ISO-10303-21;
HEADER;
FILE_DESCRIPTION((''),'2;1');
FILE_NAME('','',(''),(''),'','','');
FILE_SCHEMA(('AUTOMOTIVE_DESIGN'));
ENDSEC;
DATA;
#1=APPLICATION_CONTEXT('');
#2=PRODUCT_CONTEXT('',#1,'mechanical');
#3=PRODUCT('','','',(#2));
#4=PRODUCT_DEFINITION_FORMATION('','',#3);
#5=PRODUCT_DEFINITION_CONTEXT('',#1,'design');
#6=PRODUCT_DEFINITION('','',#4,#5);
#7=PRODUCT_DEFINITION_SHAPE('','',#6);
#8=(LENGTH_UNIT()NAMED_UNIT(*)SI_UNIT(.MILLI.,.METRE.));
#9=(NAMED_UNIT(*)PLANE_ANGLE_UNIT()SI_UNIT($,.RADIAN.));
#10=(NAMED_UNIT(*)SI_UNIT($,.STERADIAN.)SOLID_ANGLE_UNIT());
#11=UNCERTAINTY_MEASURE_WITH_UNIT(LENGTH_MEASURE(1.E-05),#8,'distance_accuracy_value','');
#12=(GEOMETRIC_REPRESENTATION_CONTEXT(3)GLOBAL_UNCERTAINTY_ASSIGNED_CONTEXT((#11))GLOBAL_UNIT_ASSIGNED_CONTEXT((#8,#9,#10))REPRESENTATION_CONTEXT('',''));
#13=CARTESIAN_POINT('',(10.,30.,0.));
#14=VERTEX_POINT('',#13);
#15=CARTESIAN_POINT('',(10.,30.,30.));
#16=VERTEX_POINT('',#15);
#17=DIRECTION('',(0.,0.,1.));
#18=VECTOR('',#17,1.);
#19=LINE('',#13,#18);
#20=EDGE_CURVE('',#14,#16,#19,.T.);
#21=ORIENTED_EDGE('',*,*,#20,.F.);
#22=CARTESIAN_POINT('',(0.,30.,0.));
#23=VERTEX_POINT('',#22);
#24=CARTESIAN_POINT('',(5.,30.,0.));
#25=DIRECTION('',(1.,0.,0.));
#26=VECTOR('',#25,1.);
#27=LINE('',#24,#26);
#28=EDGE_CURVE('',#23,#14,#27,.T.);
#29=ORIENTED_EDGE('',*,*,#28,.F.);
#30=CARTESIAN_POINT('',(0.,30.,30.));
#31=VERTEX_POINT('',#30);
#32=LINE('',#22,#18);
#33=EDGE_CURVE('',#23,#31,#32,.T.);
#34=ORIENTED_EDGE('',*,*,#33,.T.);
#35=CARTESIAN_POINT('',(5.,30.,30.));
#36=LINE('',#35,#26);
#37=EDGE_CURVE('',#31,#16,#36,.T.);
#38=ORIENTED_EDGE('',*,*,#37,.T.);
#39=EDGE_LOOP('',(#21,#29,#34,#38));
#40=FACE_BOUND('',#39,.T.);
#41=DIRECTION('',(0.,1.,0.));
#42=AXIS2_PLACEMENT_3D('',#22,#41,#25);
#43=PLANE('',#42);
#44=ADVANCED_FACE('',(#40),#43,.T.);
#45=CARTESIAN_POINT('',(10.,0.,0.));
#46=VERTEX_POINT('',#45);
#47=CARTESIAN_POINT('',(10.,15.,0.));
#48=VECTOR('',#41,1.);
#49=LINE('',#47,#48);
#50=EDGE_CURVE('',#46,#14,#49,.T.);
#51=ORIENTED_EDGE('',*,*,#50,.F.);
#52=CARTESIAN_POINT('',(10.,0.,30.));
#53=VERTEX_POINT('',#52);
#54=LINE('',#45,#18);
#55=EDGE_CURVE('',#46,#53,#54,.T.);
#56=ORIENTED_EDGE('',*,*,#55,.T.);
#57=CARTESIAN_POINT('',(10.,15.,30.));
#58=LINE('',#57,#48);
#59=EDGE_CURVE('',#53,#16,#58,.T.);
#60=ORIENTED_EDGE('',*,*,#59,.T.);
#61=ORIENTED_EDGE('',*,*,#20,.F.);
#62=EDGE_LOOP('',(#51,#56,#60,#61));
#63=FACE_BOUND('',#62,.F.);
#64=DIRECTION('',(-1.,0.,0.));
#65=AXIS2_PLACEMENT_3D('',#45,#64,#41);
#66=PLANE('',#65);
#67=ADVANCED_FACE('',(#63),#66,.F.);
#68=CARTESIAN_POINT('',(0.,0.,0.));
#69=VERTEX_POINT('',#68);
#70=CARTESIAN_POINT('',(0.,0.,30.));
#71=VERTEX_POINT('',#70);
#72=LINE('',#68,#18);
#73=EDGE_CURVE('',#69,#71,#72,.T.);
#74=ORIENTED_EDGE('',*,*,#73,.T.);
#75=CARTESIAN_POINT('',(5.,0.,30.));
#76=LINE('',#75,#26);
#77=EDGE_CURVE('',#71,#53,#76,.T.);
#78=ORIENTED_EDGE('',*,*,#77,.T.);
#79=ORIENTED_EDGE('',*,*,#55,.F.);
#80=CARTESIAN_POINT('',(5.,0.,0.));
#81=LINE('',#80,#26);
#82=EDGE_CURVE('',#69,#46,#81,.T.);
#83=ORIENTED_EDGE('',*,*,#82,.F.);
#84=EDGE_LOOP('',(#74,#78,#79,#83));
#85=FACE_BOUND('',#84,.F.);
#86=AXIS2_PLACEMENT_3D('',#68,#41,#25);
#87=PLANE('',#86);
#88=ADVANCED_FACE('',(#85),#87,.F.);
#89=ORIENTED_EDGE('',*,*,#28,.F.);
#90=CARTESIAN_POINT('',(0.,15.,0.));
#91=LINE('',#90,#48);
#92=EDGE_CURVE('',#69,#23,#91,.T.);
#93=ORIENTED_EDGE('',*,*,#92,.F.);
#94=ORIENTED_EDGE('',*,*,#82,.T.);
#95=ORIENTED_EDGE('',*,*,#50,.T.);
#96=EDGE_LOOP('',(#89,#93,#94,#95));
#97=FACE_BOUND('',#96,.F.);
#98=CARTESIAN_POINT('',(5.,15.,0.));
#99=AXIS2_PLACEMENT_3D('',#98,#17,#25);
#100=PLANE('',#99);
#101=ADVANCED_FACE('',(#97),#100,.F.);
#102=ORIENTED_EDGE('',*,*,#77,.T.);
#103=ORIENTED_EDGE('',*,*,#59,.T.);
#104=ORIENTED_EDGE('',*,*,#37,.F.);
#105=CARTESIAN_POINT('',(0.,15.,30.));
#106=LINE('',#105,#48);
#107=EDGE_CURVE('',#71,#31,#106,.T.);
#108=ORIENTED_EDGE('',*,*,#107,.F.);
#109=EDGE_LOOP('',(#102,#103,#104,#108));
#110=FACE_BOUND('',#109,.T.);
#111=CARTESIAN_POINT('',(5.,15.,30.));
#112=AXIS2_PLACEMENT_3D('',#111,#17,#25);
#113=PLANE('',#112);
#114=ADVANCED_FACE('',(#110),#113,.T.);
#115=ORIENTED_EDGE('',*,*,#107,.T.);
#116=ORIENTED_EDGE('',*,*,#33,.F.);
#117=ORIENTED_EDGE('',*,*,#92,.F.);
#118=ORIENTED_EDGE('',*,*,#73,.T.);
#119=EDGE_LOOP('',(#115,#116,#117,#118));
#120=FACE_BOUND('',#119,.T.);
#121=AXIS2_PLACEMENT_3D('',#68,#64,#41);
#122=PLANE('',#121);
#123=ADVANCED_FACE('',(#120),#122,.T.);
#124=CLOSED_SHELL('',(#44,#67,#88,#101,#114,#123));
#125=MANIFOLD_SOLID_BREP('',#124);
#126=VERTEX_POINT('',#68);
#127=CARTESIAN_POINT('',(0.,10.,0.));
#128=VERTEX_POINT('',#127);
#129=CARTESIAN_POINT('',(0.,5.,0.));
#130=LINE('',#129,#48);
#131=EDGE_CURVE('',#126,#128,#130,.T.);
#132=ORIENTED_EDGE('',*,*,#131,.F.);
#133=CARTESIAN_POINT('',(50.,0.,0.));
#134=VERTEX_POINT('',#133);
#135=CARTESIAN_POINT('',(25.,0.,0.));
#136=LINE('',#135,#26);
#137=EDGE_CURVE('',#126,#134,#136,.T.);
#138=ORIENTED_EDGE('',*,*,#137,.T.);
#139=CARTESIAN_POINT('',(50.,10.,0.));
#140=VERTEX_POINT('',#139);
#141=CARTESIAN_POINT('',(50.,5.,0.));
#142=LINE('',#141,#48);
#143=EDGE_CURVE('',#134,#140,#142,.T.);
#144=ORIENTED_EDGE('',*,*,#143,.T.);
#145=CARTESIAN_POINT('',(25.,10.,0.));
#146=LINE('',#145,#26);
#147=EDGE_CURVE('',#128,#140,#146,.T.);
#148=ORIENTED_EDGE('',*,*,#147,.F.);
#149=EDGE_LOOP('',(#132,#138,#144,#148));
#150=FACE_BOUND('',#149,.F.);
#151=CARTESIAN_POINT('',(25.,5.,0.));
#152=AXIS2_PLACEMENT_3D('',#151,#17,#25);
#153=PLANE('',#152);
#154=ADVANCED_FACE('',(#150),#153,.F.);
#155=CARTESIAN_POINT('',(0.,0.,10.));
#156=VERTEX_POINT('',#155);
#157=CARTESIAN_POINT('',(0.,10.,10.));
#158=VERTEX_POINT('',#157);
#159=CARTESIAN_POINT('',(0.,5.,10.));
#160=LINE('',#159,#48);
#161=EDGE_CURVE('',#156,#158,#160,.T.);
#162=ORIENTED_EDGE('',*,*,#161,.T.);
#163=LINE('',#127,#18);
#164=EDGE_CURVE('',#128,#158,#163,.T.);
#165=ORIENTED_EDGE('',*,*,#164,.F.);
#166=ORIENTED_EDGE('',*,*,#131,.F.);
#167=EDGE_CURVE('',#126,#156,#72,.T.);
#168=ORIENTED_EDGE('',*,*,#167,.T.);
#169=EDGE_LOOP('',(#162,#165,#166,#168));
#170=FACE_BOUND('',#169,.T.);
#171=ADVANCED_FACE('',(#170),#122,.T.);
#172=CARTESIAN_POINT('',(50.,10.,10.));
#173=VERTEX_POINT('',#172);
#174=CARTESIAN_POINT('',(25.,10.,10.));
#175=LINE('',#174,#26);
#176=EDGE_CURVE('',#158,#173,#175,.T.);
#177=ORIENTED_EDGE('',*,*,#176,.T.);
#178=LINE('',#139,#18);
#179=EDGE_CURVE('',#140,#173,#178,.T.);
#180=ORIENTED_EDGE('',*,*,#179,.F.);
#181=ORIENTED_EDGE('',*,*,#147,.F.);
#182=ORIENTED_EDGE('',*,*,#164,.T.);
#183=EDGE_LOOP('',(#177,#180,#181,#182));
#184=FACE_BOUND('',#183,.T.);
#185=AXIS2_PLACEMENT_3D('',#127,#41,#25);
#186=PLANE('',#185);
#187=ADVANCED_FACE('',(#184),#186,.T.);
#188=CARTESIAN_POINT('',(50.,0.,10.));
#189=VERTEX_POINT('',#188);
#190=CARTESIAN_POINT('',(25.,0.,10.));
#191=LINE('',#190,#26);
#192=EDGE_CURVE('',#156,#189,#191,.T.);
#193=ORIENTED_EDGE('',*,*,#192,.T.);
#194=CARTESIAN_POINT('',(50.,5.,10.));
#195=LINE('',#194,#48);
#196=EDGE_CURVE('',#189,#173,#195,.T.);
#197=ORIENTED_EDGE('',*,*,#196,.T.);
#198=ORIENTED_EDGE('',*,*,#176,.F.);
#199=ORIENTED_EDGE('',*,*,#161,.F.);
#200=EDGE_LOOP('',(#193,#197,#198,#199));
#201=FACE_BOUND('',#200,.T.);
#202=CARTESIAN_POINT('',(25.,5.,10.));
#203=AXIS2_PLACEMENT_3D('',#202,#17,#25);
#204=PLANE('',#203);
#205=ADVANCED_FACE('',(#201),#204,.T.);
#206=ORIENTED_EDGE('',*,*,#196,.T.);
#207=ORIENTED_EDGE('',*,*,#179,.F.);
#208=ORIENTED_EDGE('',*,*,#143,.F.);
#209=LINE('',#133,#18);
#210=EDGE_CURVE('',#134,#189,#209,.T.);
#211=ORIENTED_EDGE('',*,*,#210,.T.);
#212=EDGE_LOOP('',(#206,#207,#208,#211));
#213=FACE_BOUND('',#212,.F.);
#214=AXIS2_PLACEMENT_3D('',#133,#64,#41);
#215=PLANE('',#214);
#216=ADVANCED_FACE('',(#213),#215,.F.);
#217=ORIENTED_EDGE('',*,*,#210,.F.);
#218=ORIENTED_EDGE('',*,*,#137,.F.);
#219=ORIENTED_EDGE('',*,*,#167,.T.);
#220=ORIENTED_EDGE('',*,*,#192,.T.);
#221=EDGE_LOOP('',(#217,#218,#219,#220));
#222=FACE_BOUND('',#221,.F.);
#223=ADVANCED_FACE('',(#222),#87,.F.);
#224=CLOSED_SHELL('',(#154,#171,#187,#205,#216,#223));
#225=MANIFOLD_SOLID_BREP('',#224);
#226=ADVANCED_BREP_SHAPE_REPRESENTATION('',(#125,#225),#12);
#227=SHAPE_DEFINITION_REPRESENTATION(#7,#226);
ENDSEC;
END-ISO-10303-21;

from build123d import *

# Parameters (mm, degrees)
BOX_W        = 10
BOX_H        = 30
BOX_DEPTH    = 30
BOX001_W     = 50
BOX001_H     = 10
BOX001_DEPTH = 10


with BuildPart() as mi_cubo:
    # Box → Box (new body)
    with BuildSketch(Plane.XY):
        with Locations((5, 15)):
            Rectangle(BOX_W, BOX_H)
    extrude(amount=BOX_DEPTH)


with BuildPart() as cube_int:
    # Box001 → Box001 (new body)
    with BuildSketch(Plane.XY):
        with Locations((25, 5)):
            Rectangle(BOX001_W, BOX001_H)
    extrude(amount=BOX001_DEPTH)


solid = Compound([mi_cubo.part, cube_int.part])
